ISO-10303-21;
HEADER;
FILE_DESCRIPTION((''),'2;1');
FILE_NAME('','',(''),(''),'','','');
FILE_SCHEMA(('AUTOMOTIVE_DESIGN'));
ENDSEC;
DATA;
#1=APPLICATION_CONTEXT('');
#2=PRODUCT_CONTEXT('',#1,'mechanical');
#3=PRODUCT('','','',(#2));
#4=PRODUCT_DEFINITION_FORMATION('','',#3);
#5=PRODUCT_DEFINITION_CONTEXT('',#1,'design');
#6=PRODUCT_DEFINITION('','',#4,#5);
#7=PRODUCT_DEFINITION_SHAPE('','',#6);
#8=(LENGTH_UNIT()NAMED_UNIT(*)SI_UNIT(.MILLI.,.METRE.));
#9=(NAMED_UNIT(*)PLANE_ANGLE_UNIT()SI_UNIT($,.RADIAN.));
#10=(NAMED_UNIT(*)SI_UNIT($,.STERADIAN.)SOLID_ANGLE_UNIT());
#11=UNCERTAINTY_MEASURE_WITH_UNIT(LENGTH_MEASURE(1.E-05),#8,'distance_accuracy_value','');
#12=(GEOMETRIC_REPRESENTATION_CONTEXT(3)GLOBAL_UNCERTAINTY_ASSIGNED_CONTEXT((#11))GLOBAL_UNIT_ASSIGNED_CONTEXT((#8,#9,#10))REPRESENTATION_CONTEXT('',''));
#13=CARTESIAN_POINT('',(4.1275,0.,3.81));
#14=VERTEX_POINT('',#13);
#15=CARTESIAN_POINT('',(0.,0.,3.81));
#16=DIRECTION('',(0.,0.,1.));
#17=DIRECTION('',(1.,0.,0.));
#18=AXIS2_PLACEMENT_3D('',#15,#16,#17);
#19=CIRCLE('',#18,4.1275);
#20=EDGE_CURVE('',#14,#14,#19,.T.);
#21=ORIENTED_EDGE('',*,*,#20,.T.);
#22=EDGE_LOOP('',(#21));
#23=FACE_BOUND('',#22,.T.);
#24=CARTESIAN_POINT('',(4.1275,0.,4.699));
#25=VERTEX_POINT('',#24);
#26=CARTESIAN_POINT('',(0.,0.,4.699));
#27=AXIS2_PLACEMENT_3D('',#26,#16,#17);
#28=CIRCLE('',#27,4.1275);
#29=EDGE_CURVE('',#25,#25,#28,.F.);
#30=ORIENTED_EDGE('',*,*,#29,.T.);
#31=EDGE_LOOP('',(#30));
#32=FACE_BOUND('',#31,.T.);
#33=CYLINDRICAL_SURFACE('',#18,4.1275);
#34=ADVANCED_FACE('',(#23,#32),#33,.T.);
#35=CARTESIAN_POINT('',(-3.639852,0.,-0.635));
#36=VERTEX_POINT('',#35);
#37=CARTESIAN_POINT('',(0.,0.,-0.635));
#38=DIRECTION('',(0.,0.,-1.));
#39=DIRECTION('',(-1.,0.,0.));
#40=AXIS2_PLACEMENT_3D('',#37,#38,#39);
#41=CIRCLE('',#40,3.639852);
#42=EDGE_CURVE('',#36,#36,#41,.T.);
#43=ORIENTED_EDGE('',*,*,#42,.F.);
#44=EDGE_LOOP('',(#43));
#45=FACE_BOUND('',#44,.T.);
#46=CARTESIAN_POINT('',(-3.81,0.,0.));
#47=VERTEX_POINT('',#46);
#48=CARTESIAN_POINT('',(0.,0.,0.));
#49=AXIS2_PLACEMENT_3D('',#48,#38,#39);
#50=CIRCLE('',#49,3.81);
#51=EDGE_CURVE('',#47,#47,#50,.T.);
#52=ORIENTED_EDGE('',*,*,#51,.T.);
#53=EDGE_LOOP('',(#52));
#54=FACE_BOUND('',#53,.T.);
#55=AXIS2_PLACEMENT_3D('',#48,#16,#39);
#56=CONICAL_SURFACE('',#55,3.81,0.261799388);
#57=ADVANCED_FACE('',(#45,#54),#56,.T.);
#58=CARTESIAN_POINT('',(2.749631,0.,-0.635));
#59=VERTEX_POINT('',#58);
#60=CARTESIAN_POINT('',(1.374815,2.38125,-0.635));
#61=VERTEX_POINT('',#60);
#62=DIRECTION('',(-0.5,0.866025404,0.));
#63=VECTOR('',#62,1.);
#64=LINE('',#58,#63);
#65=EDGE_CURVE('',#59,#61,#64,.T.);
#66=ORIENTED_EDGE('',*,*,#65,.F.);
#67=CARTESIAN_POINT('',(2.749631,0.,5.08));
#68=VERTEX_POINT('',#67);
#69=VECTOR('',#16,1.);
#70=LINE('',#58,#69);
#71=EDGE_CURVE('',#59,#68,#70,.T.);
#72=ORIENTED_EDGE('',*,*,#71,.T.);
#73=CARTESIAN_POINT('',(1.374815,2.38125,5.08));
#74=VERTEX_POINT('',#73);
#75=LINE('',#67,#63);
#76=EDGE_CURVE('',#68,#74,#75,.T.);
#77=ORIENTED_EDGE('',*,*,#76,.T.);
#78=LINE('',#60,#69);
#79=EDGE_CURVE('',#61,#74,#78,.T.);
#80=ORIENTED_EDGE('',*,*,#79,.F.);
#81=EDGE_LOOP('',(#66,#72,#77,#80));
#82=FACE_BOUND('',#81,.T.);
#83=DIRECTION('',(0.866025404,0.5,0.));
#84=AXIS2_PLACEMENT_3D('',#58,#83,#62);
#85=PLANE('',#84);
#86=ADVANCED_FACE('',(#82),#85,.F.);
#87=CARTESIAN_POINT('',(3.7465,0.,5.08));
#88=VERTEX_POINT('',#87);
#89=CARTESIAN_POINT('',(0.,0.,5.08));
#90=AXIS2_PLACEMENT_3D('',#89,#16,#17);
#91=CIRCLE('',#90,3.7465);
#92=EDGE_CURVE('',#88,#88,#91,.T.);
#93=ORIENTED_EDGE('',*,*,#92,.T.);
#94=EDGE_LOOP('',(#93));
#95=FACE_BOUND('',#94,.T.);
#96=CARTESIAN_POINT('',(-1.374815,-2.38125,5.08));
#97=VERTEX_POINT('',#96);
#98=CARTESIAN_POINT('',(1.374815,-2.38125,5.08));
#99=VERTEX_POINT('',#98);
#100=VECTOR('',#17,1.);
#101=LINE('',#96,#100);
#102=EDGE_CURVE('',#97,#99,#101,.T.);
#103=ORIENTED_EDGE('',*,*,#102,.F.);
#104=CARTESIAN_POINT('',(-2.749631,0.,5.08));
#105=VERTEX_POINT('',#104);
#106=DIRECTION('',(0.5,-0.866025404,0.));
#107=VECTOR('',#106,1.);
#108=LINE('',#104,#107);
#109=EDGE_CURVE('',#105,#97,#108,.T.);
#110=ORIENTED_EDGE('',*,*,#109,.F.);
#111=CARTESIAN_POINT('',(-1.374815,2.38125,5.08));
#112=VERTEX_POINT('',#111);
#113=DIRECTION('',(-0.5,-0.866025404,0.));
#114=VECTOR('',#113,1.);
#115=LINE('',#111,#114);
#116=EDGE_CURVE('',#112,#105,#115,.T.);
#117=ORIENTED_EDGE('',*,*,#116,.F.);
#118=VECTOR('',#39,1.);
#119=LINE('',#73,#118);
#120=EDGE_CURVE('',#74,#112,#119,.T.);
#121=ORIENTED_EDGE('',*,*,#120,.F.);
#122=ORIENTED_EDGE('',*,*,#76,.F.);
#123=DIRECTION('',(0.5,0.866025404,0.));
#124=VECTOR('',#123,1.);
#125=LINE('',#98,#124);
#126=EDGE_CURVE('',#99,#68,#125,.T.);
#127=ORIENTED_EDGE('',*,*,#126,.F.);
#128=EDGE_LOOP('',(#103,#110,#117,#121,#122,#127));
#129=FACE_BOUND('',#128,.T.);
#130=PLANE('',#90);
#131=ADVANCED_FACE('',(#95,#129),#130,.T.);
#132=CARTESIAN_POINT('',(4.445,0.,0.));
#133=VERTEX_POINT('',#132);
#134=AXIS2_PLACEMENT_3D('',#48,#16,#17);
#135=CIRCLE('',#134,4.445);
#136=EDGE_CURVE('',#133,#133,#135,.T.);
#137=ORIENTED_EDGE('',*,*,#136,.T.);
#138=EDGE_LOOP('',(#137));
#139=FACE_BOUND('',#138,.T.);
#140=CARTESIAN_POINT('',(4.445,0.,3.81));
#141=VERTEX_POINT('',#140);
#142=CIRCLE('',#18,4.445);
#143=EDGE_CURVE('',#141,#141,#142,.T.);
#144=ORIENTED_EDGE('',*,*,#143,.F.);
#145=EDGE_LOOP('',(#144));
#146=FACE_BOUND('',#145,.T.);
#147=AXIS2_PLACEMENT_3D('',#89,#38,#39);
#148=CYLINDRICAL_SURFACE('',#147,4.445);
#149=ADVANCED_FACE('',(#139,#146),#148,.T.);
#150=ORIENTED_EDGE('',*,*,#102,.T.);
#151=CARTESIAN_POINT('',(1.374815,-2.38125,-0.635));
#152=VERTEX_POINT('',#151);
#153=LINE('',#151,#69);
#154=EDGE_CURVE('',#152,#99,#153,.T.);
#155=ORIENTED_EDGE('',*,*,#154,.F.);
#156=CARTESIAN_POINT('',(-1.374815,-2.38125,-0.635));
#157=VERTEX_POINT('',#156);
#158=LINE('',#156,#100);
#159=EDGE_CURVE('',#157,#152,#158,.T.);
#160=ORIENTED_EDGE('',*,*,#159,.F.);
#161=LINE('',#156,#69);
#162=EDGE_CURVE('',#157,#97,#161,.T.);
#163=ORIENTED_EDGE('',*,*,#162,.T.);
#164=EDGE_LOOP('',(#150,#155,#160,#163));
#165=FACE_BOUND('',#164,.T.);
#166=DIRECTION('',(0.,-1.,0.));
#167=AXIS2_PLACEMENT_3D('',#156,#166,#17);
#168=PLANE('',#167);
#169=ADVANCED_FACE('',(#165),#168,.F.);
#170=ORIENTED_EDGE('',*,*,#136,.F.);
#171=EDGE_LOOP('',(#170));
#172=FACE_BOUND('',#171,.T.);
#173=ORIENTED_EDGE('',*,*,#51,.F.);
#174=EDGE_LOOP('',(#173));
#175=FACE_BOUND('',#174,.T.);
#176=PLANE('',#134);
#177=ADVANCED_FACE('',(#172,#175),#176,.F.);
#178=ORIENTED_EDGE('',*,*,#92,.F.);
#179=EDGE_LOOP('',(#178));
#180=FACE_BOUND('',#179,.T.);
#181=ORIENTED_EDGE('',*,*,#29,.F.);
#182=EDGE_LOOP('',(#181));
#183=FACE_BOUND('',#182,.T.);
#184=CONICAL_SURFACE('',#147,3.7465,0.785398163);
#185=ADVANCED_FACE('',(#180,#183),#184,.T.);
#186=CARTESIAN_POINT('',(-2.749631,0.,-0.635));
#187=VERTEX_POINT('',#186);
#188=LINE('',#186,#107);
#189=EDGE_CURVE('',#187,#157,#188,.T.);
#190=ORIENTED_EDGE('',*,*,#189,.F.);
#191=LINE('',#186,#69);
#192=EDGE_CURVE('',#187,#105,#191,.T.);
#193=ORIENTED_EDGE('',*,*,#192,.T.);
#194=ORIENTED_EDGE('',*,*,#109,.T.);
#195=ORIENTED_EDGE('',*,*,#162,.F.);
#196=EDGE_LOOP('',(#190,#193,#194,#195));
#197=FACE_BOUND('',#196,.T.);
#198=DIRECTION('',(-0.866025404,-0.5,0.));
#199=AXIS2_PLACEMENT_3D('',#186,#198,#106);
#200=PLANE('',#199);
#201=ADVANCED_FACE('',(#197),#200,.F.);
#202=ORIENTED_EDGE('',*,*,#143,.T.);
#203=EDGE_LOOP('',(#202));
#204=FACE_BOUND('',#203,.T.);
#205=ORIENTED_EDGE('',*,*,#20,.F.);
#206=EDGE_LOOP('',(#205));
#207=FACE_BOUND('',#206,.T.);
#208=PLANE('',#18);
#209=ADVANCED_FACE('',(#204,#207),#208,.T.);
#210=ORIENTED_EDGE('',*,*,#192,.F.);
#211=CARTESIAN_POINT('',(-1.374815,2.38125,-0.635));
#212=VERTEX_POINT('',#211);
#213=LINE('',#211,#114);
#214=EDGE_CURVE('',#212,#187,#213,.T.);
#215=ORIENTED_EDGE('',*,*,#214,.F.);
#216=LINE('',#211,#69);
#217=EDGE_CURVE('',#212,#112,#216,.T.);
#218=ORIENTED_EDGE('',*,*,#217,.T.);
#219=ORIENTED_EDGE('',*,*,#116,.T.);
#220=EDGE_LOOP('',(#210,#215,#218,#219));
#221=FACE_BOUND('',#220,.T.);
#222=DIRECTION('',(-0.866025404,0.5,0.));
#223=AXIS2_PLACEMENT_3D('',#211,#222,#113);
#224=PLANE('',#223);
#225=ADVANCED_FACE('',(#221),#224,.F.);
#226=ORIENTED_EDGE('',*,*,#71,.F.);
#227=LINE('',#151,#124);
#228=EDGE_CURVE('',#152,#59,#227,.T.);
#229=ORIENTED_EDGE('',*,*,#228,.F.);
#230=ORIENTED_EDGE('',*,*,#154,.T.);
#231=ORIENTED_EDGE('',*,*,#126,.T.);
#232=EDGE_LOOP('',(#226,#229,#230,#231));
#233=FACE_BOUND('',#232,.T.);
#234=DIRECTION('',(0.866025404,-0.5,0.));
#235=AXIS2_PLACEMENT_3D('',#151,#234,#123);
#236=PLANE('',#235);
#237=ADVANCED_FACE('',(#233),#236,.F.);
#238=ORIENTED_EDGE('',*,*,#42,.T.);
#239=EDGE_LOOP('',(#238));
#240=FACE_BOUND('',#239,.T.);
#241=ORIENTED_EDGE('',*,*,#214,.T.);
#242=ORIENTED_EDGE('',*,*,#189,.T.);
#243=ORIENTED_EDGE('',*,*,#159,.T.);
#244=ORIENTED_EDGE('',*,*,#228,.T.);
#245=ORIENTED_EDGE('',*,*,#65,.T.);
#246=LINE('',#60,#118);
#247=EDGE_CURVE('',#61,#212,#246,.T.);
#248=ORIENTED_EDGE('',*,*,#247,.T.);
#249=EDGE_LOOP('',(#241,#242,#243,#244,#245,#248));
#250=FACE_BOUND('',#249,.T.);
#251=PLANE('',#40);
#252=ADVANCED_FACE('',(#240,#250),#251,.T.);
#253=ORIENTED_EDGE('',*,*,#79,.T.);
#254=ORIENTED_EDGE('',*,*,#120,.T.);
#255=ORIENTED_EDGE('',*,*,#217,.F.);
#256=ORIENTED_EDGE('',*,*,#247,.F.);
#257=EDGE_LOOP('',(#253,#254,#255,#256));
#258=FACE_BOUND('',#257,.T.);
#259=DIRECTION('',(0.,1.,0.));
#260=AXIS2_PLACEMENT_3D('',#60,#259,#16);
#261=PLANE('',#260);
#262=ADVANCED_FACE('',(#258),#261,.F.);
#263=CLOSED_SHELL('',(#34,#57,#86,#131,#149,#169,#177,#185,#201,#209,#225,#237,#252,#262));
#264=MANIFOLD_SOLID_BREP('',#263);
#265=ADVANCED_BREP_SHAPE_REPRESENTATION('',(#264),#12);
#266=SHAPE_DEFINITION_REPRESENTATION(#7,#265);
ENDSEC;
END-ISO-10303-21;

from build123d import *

# Parameters (mm, degrees)
SKETCH1_R           = 4.445
BOSS_EXTRUDE1_DEPTH = 5.08
SKETCH2_R           = 3.81
BOSS_EXTRUDE2_DEPTH = 0.635
BOSS_EXTRUDE2_TAPER = 15
CUT_EXTRUDE1_START  = -1.27
SKETCH3_R           = 4.445
SKETCH3_R_2         = 4.1275
CUT_EXTRUDE1_DEPTH  = 1.27
CHAMFER1_SIZE       = 0.381
CUT_EXTRUDE2_DEPTH  = 9.495721049


with BuildPart() as part:
    # Sketch1 → Boss-Extrude1 (new body)
    with BuildSketch(Plane.XY):
        Circle(SKETCH1_R)
    extrude(amount=BOSS_EXTRUDE1_DEPTH)

    # Sketch2 → Boss-Extrude2 (add)
    with BuildSketch(Plane(origin=(0, 0, 0), x_dir=(-1, 0, 0), z_dir=(0, 0, -1))):
        Circle(SKETCH2_R)
    extrude(amount=BOSS_EXTRUDE2_DEPTH, taper=BOSS_EXTRUDE2_TAPER)

    # Sketch3 → Cut-Extrude1 (cut)
    with BuildSketch(Plane.XY.offset(5.08).offset(CUT_EXTRUDE1_START)):
        Circle(SKETCH3_R)
        Circle(SKETCH3_R_2, mode=Mode.SUBTRACT)
    extrude(amount=CUT_EXTRUDE1_DEPTH, mode=Mode.SUBTRACT)

    # Chamfer1
    chamfer1_edges = [part.edges().sort_by_distance(p)[0] for p in [
        (-4.1275, 0, 5.08),
    ]]
    chamfer(chamfer1_edges, length=CHAMFER1_SIZE)

    # Sketch5 → Cut-Extrude2 (cut, through all)
    with BuildSketch(Plane.XY.offset(5.08)):
        Polygon((-1.374815329, 2.38125), (-2.749630657, 0), (-1.374815329, -2.38125), (1.374815329, -2.38125), (2.749630657, 0), (1.374815329, 2.38125), align=None)
    extrude(amount=-CUT_EXTRUDE2_DEPTH, mode=Mode.SUBTRACT)


solid = part.part
